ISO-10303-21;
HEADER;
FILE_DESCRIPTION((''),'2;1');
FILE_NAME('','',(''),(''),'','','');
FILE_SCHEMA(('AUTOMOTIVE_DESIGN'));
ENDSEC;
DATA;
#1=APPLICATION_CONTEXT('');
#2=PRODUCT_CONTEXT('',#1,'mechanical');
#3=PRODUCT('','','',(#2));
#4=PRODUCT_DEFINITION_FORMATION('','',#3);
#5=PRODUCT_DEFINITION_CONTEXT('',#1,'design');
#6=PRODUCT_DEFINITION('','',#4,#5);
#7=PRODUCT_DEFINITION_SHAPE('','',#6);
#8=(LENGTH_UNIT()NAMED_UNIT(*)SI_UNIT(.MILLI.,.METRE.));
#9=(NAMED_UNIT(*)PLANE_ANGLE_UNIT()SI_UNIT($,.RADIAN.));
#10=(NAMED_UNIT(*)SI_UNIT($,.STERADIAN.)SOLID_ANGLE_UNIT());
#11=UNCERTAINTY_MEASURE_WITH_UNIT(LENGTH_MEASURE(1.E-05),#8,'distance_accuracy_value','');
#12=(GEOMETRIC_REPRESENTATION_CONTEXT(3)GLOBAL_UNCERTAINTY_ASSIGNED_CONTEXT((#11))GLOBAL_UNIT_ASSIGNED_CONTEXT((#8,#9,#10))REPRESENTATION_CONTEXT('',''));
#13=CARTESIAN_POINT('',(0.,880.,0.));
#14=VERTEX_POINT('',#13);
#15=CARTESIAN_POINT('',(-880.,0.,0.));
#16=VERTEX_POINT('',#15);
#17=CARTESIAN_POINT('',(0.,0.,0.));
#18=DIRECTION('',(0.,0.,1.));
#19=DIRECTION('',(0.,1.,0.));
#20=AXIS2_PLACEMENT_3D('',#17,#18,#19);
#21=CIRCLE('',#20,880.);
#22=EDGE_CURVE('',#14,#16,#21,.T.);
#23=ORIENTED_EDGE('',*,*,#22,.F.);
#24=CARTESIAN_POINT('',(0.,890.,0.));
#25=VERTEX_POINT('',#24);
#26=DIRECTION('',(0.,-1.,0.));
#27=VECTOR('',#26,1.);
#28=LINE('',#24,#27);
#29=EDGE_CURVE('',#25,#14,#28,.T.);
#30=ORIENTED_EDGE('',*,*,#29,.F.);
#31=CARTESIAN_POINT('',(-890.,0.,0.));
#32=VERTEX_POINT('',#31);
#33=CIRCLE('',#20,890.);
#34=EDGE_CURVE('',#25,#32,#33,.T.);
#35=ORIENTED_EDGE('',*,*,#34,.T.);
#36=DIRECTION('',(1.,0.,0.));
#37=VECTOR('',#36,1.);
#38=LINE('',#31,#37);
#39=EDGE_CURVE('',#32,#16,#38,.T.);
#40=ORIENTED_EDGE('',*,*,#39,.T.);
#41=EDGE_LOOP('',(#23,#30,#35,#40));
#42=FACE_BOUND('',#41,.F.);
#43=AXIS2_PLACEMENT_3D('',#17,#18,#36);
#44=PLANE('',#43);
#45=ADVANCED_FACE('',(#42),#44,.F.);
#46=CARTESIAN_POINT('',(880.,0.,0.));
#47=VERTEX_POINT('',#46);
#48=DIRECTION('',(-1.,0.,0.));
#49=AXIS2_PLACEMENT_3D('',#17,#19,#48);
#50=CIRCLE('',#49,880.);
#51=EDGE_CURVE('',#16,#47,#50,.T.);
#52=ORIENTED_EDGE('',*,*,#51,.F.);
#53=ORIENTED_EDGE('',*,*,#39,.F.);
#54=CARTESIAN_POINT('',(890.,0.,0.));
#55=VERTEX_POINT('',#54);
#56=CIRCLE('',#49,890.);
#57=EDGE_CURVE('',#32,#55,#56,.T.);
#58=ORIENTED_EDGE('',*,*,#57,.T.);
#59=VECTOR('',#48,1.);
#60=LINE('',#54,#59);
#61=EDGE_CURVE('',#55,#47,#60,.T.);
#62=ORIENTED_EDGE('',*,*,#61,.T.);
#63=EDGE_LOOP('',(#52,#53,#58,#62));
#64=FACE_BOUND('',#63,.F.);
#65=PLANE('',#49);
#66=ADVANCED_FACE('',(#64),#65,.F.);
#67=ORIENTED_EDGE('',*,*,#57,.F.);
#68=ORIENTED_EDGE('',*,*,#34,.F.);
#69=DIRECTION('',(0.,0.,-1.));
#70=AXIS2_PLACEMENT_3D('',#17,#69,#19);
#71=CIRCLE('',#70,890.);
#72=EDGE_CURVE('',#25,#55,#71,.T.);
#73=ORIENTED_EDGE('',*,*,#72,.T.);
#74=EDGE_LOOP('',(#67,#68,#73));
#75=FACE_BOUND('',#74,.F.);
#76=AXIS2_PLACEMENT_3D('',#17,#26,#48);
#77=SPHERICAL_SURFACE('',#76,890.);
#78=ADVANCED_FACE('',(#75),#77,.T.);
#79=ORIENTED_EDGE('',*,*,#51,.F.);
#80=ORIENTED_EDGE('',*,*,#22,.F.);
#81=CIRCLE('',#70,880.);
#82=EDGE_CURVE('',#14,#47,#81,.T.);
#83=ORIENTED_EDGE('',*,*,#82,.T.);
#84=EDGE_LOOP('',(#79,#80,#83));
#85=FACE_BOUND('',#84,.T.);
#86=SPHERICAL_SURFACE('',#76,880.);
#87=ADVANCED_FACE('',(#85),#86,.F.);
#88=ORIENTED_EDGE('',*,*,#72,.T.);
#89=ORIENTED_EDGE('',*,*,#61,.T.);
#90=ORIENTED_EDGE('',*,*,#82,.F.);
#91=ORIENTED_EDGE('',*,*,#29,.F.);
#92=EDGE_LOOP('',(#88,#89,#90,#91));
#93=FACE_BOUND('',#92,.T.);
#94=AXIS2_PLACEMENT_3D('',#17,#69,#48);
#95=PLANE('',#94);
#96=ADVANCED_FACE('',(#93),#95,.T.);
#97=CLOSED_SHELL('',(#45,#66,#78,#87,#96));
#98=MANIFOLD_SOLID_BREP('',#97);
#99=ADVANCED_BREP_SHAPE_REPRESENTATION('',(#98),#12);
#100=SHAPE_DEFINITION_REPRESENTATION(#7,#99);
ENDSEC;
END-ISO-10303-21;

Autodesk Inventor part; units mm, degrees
ref_plane "XZ Plane" through (0, 0, 0) normal (0, 1, 0) x (-1, 0, 0)
sketch "Sketch1" plane through (0, 0, 0) normal (0, 0, 1) x (1, 0, 0)
  arc A0 (0, 890) -> (-890, 0) centre (0, 0) ccw
  arc A1 (0, 880) -> (-880, 0) centre (0, 0) ccw
  line L0 (-890, 0) -> (-880, 0)
  line L1 (0, 890) -> (0, 880)
  line L2 (0, -214.865) -> (0, 1289.19) projected
  dimension "d0" = 10
  dimension "d1" = 890
  dimension "d2" = 0
  dimension "d3" = 0
revolve "Revolution1" add sketch "Sketch1" angle 180 about axis through (0, -10, 0) along (0, 1, 0)
ref_plane "tangent1" through (900, 0, 0) normal (1, 0, 0) x (0, 1, 0)
ref_plane "tangent2" through (-900, 0, 0) normal (1, 0, 0) x (0, 1, 0)
equation "\"d0\" = thickness"
equation "\"d1\" = cover_height_main - thickness"
equation "\"thickness\" = 10"
equation "\"cover_height_main\" = 900"
equation "\"hoop_angle_z\" = 45deg"
equation "\"hoop_bearing_length\" = 5deg"
equation "\"hoop_cable_diam\" = 5"
equation "\"hoop_cable_pulley_diam\" = 22"
equation "\"rack_tooth_addendum\" = 5"
equation "\"rack_tooth_dedendum\" = 5"
equation "\"rack_tooth_thickness\" = 5"
equation "\"secure_arm_angle\" = 20deg"
equation "\"secure_arm_hold_length\" = 35"
equation "\"secure_arm_radii\" = 9"
equation "\"support_baseClamp_platformLengthBuffer\" = 35"
equation "\"support_baseClamp_platformThickness\" = 15"
equation "\"support_baseClamp_platformWidthBuffer\" = 0"
equation "\"support_baseClamp_sleeveHoleDiameter\" = 12"
equation "\"support_baseClamp_sleeveSweepTerminationAngle\" = 55deg"
equation "\"support_baseClamp_thickness\" = 8"
equation "\"support_frame_endHoleBuffer\" = 25"
equation "\"support_frame_squareBarFillet\" = 2"
equation "\"support_frame_squareBarThickness\" = 5"
equation "\"hoop_tabs_thickness\" = 6"
equation "\"hoop_tabs_hole\" = 4"
equation "\"wheelchair_deployed_width\" = 635"
equation "\"wheelchair_deployed_length\" = 1067"
equation "\"wheelchair_deployed_height\" = 914"
properties part number "cover2_end_small"
